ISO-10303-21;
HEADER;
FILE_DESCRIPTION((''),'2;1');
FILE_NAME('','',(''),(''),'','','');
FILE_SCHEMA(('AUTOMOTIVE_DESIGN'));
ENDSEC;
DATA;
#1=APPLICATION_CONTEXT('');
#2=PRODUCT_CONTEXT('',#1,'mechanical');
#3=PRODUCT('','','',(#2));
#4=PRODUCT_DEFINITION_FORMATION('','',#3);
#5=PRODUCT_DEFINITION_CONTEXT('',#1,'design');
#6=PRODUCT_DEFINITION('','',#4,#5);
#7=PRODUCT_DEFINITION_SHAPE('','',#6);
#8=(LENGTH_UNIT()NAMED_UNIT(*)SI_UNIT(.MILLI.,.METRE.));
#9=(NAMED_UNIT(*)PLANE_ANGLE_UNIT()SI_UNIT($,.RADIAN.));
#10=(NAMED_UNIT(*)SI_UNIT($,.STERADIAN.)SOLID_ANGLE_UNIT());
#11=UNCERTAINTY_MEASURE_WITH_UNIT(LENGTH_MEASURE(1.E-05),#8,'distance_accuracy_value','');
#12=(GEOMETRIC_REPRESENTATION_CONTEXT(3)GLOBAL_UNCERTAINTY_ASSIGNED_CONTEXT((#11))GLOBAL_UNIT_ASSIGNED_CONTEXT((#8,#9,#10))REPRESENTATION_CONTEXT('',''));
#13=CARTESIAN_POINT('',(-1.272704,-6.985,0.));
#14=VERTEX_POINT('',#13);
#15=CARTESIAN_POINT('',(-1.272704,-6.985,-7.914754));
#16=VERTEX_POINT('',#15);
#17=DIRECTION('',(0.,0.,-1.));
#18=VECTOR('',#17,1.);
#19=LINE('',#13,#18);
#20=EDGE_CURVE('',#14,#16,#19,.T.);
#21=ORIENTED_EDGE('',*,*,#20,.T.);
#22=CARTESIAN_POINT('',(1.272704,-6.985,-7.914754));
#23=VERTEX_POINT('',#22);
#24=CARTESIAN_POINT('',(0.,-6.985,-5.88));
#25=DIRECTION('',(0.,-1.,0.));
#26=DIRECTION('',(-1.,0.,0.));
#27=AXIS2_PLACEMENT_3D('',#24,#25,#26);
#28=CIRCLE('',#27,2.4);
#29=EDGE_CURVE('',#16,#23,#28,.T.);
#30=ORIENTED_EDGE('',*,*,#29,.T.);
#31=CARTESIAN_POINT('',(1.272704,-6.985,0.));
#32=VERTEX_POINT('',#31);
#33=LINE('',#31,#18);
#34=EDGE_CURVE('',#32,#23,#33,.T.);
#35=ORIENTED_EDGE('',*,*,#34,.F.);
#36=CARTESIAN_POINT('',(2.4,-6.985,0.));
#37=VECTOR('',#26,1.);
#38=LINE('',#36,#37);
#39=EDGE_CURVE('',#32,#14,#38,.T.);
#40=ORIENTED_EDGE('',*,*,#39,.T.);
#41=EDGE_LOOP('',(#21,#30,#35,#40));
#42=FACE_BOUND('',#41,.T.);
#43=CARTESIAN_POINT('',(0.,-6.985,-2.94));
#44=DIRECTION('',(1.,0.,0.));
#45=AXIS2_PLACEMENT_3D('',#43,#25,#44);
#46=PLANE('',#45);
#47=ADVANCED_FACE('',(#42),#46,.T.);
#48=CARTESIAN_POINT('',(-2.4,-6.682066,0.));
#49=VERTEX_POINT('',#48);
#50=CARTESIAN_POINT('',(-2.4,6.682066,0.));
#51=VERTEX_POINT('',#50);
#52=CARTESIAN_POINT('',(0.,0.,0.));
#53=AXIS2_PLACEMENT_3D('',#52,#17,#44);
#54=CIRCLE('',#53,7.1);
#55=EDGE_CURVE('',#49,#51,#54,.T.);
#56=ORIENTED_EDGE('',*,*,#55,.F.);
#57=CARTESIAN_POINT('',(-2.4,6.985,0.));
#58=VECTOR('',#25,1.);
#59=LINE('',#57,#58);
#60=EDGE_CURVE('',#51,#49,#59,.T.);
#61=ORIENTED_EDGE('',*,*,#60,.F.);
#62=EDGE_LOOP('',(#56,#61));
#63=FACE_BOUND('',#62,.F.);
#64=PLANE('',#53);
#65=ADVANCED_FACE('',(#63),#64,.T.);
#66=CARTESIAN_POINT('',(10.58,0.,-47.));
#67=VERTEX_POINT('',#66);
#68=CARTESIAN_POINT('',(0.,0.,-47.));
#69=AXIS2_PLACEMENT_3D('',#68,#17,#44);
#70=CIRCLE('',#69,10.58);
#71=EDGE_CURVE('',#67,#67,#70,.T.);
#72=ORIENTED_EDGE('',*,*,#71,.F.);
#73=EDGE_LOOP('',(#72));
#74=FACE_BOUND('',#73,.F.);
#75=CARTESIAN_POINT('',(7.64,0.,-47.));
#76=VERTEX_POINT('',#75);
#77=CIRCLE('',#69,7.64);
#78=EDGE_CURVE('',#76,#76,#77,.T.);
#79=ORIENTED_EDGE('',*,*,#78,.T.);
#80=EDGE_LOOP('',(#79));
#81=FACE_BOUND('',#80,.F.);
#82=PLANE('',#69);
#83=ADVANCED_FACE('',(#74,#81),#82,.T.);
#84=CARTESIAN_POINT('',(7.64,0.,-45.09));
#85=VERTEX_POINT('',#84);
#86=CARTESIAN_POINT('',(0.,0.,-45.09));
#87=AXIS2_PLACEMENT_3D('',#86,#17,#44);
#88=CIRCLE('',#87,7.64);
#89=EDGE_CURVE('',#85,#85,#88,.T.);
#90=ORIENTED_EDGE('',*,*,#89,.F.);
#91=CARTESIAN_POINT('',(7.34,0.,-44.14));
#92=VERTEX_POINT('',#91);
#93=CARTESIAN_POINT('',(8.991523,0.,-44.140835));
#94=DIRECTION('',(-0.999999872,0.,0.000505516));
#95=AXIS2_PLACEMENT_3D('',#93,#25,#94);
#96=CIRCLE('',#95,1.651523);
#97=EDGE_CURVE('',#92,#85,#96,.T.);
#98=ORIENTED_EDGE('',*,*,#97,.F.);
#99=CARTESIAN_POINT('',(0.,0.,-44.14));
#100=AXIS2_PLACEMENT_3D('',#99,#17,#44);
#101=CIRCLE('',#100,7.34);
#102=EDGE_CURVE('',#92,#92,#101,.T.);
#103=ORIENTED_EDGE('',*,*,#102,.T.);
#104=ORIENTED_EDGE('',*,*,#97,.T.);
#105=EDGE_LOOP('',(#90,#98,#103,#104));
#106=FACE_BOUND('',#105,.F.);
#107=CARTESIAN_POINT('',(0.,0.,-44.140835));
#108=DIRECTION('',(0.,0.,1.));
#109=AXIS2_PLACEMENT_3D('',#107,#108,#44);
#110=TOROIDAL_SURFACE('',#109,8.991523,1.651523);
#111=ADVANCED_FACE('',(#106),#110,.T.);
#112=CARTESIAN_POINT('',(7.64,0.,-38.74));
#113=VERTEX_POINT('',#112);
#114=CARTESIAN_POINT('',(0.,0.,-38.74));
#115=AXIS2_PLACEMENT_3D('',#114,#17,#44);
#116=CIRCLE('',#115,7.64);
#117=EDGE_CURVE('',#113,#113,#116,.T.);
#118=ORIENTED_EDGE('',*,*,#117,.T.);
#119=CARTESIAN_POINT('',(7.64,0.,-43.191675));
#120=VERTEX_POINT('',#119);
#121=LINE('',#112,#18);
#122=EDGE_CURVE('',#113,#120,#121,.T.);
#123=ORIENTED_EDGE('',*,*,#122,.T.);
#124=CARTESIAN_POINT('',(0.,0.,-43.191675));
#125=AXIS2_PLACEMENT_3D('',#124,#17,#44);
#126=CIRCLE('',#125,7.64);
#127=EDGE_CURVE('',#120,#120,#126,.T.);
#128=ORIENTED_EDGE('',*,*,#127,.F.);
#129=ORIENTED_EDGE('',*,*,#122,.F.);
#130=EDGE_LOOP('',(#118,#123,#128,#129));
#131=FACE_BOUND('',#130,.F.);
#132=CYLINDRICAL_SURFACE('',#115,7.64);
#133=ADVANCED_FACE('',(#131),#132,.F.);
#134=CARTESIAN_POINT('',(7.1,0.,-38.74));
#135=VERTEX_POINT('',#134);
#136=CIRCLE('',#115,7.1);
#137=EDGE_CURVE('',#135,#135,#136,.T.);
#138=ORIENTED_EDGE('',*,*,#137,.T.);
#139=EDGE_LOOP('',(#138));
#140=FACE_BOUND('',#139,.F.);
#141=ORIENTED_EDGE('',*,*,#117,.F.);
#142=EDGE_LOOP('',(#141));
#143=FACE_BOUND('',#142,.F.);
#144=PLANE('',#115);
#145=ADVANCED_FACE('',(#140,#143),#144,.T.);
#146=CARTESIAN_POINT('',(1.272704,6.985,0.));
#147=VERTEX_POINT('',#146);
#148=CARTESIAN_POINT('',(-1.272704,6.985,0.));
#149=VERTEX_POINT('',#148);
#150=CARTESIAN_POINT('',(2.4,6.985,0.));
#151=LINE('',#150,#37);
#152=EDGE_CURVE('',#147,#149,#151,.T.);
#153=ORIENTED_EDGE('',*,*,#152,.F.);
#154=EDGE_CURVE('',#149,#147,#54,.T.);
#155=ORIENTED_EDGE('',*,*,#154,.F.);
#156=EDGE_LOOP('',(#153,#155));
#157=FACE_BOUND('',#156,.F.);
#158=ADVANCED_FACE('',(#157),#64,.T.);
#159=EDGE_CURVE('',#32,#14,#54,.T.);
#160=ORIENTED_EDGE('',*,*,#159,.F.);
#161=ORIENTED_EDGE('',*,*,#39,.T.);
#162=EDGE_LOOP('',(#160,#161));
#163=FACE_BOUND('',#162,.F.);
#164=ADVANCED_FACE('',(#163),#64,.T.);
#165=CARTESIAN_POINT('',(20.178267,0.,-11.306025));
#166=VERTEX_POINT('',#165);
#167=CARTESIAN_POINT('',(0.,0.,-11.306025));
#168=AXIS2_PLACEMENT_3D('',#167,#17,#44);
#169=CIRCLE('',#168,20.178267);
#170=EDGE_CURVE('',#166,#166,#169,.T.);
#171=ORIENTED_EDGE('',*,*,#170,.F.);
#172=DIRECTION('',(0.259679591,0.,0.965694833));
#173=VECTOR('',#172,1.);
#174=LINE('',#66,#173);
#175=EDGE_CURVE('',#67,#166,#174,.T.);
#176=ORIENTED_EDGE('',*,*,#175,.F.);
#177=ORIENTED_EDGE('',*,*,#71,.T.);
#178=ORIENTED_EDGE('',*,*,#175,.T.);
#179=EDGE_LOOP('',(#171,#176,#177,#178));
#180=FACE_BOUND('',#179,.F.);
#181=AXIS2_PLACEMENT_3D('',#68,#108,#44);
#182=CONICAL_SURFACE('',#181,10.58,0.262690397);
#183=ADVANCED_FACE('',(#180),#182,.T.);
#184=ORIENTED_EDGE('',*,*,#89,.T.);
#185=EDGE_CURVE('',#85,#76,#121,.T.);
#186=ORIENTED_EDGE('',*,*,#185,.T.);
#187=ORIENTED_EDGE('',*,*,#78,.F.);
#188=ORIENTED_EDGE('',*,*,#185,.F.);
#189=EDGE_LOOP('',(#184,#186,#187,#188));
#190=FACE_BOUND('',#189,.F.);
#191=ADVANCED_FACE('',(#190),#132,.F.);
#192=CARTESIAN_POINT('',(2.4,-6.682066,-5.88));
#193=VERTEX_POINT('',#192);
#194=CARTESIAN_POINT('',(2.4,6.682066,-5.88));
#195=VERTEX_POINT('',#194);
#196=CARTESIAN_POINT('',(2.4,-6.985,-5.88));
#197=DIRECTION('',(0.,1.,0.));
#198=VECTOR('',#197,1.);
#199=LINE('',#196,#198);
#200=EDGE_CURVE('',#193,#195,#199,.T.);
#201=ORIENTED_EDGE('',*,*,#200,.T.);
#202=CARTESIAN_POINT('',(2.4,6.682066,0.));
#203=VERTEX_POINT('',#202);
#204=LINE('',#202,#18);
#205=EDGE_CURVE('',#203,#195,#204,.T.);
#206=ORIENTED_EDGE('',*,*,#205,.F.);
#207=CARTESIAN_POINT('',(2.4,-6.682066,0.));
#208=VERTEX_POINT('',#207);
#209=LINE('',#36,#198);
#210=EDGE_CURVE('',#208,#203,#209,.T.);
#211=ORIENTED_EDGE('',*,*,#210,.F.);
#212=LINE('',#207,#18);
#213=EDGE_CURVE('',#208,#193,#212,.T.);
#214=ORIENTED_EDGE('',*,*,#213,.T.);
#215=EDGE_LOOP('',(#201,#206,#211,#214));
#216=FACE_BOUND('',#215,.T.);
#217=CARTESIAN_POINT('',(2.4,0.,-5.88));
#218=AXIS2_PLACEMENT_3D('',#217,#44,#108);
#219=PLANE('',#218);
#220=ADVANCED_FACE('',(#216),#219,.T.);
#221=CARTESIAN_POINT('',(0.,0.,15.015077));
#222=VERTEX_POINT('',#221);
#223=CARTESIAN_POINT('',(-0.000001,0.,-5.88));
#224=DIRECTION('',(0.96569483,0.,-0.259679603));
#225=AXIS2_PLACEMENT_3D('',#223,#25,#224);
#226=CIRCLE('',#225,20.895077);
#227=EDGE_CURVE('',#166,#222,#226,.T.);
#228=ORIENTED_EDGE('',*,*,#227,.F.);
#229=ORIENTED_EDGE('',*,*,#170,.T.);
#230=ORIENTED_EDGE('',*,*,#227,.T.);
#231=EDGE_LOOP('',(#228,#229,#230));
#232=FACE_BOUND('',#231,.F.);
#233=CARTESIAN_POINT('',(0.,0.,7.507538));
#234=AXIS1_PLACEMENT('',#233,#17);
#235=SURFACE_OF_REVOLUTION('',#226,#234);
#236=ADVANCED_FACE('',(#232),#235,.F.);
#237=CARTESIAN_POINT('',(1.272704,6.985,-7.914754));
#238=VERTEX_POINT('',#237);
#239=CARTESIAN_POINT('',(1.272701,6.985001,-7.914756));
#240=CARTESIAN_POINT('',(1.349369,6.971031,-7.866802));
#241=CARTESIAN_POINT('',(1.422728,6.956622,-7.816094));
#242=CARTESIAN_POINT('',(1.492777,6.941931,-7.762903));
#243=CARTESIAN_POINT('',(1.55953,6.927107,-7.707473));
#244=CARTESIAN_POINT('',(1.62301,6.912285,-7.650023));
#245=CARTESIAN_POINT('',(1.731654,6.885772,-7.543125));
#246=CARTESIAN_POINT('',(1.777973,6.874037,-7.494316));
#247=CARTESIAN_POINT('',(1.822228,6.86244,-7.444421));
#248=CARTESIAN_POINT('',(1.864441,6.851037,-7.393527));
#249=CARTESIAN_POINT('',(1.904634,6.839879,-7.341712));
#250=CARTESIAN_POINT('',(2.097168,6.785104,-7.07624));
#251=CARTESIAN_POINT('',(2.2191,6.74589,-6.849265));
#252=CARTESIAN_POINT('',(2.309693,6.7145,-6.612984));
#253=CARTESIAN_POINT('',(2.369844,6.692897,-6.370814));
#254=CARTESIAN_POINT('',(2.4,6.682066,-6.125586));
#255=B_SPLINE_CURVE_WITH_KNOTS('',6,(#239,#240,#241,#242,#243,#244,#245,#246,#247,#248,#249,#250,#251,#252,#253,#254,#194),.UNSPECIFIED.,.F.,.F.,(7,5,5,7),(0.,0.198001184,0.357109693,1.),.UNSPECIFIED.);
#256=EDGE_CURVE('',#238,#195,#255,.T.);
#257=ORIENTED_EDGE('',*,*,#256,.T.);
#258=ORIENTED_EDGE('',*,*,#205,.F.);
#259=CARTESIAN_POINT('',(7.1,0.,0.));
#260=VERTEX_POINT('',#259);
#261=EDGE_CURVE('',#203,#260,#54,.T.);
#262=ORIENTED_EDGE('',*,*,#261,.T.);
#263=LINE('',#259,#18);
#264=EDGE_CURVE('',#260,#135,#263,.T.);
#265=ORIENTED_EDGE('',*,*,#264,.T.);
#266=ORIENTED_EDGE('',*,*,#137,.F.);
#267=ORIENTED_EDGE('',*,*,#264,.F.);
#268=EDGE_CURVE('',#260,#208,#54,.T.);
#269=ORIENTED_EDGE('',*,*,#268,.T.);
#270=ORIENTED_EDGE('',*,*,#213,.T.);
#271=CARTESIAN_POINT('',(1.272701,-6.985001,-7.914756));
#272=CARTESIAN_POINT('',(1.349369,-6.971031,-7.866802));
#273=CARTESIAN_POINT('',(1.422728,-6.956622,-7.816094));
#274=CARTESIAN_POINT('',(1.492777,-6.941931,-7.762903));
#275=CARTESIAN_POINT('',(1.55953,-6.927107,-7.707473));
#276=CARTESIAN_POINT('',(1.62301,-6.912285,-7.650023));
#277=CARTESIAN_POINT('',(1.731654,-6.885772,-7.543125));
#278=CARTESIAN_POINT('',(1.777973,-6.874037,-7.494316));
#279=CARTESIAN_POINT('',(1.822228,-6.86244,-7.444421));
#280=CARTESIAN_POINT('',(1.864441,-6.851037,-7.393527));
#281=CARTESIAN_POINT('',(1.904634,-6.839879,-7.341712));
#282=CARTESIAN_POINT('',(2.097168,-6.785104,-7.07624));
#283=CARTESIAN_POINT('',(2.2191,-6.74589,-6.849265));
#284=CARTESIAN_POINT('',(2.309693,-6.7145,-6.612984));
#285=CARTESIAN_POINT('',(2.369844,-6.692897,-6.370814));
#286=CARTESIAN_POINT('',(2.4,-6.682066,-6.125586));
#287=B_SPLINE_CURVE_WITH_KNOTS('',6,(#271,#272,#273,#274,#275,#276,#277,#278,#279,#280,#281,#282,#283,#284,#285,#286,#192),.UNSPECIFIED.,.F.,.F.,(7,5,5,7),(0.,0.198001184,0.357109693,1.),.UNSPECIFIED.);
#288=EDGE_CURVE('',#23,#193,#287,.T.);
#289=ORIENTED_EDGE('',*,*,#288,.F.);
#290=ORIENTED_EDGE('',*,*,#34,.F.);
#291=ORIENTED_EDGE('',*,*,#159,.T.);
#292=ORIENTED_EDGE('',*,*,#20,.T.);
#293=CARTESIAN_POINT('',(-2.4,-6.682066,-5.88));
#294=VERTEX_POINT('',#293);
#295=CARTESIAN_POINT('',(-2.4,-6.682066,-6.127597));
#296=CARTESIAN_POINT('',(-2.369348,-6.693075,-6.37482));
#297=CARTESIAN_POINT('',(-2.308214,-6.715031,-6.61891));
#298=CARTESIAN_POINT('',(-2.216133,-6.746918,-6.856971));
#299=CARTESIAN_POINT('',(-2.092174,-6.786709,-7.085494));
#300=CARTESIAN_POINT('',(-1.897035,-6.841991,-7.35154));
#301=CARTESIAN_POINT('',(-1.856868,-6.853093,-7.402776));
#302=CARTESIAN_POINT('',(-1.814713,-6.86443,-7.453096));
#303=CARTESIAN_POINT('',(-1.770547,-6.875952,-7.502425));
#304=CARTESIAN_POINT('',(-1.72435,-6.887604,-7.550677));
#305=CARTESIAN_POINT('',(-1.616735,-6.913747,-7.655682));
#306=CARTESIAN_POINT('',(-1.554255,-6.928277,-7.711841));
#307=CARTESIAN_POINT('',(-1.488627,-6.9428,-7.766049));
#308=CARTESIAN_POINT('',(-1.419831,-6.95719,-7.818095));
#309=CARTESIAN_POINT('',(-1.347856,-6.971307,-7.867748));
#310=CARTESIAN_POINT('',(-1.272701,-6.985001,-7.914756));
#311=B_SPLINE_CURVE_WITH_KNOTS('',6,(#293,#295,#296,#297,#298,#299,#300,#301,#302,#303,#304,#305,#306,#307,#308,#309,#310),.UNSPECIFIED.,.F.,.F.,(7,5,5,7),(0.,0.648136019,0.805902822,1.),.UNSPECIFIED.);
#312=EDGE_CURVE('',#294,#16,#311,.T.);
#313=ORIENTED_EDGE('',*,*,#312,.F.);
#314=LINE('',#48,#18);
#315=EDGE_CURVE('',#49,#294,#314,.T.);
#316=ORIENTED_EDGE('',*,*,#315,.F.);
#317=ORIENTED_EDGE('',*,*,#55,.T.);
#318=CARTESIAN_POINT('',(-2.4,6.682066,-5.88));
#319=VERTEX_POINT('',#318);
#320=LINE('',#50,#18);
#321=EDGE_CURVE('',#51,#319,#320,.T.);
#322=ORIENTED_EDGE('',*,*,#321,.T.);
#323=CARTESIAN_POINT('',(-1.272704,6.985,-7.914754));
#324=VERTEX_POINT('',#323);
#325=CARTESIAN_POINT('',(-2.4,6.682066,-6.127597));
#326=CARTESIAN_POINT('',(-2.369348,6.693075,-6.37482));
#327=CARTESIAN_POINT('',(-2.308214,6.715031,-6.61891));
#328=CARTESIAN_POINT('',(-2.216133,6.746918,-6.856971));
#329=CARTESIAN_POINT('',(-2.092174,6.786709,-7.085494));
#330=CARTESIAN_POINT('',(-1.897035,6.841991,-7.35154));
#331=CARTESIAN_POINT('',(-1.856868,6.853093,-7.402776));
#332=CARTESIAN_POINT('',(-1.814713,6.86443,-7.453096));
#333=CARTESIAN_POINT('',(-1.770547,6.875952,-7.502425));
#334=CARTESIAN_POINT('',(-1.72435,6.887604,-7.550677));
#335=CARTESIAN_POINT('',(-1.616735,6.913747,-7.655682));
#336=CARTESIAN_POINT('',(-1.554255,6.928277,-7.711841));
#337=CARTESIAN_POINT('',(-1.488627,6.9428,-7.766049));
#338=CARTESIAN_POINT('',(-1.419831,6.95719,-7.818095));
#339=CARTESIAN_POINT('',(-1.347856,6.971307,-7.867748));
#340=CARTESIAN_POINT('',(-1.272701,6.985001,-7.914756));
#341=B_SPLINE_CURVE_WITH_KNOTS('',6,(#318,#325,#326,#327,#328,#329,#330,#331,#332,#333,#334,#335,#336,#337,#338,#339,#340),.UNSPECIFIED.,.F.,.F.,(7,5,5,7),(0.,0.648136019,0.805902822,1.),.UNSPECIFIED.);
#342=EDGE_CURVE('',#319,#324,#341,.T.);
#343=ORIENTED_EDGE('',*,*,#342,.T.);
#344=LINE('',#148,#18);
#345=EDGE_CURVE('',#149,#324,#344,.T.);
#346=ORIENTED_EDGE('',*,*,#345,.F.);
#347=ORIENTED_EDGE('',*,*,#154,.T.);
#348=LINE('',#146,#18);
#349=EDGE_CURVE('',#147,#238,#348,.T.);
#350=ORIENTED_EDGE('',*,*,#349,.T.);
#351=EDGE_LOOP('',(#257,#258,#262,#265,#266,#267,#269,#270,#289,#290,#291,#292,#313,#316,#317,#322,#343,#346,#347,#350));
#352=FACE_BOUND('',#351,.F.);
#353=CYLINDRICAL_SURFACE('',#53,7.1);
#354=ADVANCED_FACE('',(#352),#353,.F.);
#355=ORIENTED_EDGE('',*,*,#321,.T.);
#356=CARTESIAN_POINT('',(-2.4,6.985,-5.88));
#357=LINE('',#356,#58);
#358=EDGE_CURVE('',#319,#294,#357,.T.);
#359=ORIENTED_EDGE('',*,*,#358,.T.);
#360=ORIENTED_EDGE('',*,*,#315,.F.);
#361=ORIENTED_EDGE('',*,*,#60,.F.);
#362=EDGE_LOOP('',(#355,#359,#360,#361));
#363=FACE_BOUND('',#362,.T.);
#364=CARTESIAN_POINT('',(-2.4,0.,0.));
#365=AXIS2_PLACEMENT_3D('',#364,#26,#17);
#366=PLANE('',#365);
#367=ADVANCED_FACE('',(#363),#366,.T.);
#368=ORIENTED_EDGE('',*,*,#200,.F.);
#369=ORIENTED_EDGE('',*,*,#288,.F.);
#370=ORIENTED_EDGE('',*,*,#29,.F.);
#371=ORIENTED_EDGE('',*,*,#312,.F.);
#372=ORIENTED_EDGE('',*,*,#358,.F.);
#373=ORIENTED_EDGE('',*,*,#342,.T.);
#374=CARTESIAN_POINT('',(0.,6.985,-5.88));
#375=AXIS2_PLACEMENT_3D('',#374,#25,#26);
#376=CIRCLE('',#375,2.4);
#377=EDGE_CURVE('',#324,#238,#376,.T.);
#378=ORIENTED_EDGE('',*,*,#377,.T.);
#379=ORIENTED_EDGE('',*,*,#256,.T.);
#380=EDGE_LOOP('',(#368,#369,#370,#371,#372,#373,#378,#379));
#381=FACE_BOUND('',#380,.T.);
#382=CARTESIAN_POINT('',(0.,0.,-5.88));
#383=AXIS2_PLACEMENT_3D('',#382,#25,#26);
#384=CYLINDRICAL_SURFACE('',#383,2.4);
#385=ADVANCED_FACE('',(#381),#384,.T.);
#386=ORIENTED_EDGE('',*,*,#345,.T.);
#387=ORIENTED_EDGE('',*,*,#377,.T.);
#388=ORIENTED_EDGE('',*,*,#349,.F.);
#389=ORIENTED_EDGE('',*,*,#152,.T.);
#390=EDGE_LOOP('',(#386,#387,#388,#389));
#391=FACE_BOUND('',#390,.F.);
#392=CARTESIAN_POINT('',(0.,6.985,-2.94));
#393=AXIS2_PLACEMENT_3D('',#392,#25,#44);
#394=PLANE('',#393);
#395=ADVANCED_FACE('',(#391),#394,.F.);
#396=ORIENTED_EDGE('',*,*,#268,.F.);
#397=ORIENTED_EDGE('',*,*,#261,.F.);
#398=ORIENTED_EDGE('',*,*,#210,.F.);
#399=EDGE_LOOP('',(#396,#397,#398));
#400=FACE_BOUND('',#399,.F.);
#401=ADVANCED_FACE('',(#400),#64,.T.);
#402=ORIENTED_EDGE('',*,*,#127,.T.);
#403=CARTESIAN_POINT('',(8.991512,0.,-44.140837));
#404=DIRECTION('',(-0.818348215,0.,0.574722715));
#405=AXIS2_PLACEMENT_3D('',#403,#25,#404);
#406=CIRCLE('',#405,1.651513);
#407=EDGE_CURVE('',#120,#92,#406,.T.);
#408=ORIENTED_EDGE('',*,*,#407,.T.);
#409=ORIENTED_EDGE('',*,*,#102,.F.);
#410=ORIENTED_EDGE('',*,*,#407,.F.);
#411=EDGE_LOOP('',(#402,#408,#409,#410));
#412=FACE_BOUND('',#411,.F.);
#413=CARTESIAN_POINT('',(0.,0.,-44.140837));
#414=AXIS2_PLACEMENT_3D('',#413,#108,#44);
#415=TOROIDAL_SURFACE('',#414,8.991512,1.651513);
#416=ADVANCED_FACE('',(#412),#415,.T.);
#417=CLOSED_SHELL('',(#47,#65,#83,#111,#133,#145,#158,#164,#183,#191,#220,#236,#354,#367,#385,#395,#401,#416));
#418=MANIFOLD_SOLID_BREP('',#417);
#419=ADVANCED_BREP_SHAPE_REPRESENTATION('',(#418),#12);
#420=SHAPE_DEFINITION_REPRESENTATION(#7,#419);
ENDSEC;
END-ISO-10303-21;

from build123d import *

# Parameters (mm, degrees)
F1_DEPTH = 6.985


with BuildPart() as f1:
    # F0 (on Front) → F1 (new body, symmetric)
    with BuildSketch(Plane.XZ):
        Polygon((2.4, 0), (0, 0), (-2.4, 0), (-2.4, -5.88), (0, -5.88), (2.4, -5.88), align=None)
        with BuildLine():
            ThreePointArc((-2.4, -5.88), (0, -8.28), (2.4, -5.88))
            Line((2.4, -5.88), (0, -5.88))
            Line((0, -5.88), (-2.4, -5.88))
        make_face()
    extrude(amount=F1_DEPTH, both=True)

    # F0 (on Front) → F2 (revolve)
    with BuildSketch(Plane.XZ):
        with BuildLine():
            Line((0, 15.015077), (0, 0))
            Line((0, 0), (2.4, 0))
            Line((2.4, 0), (7.1, 0))
            Line((7.1, 0), (7.1, -38.74))
            Line((7.1, -38.74), (7.64, -38.74))
            Line((7.64, -38.74), (7.64, -43.191675))
            Line((7.64, -43.191675), (7.64, -44.14))
            Line((7.64, -44.14), (7.64, -45.09))
            Line((7.64, -45.09), (7.64, -47))
            Line((7.64, -47), (10.58, -47))
            Line((10.58, -47), (20.178267, -11.306025))
            ThreePointArc((20.178267, -11.306025), (16.582844, 6.83273), (0, 15.015077))
        make_face()
        with BuildLine():
            Line((7.64, -44.14), (7.64, -43.191675))
            ThreePointArc((7.64, -43.191675), (7.416911, -43.642716), (7.34, -44.14))
            Line((7.34, -44.14), (7.64, -44.14))
        make_face()
        with BuildLine():
            ThreePointArc((7.34, -44.14), (7.416659, -44.63816), (7.64, -45.09))
            Line((7.64, -45.09), (7.64, -44.14))
            Line((7.64, -44.14), (7.34, -44.14))
        make_face()
    revolve(axis=Axis((0, 0, 7.507538), (0, 0, -1)))


solid = f1.part
